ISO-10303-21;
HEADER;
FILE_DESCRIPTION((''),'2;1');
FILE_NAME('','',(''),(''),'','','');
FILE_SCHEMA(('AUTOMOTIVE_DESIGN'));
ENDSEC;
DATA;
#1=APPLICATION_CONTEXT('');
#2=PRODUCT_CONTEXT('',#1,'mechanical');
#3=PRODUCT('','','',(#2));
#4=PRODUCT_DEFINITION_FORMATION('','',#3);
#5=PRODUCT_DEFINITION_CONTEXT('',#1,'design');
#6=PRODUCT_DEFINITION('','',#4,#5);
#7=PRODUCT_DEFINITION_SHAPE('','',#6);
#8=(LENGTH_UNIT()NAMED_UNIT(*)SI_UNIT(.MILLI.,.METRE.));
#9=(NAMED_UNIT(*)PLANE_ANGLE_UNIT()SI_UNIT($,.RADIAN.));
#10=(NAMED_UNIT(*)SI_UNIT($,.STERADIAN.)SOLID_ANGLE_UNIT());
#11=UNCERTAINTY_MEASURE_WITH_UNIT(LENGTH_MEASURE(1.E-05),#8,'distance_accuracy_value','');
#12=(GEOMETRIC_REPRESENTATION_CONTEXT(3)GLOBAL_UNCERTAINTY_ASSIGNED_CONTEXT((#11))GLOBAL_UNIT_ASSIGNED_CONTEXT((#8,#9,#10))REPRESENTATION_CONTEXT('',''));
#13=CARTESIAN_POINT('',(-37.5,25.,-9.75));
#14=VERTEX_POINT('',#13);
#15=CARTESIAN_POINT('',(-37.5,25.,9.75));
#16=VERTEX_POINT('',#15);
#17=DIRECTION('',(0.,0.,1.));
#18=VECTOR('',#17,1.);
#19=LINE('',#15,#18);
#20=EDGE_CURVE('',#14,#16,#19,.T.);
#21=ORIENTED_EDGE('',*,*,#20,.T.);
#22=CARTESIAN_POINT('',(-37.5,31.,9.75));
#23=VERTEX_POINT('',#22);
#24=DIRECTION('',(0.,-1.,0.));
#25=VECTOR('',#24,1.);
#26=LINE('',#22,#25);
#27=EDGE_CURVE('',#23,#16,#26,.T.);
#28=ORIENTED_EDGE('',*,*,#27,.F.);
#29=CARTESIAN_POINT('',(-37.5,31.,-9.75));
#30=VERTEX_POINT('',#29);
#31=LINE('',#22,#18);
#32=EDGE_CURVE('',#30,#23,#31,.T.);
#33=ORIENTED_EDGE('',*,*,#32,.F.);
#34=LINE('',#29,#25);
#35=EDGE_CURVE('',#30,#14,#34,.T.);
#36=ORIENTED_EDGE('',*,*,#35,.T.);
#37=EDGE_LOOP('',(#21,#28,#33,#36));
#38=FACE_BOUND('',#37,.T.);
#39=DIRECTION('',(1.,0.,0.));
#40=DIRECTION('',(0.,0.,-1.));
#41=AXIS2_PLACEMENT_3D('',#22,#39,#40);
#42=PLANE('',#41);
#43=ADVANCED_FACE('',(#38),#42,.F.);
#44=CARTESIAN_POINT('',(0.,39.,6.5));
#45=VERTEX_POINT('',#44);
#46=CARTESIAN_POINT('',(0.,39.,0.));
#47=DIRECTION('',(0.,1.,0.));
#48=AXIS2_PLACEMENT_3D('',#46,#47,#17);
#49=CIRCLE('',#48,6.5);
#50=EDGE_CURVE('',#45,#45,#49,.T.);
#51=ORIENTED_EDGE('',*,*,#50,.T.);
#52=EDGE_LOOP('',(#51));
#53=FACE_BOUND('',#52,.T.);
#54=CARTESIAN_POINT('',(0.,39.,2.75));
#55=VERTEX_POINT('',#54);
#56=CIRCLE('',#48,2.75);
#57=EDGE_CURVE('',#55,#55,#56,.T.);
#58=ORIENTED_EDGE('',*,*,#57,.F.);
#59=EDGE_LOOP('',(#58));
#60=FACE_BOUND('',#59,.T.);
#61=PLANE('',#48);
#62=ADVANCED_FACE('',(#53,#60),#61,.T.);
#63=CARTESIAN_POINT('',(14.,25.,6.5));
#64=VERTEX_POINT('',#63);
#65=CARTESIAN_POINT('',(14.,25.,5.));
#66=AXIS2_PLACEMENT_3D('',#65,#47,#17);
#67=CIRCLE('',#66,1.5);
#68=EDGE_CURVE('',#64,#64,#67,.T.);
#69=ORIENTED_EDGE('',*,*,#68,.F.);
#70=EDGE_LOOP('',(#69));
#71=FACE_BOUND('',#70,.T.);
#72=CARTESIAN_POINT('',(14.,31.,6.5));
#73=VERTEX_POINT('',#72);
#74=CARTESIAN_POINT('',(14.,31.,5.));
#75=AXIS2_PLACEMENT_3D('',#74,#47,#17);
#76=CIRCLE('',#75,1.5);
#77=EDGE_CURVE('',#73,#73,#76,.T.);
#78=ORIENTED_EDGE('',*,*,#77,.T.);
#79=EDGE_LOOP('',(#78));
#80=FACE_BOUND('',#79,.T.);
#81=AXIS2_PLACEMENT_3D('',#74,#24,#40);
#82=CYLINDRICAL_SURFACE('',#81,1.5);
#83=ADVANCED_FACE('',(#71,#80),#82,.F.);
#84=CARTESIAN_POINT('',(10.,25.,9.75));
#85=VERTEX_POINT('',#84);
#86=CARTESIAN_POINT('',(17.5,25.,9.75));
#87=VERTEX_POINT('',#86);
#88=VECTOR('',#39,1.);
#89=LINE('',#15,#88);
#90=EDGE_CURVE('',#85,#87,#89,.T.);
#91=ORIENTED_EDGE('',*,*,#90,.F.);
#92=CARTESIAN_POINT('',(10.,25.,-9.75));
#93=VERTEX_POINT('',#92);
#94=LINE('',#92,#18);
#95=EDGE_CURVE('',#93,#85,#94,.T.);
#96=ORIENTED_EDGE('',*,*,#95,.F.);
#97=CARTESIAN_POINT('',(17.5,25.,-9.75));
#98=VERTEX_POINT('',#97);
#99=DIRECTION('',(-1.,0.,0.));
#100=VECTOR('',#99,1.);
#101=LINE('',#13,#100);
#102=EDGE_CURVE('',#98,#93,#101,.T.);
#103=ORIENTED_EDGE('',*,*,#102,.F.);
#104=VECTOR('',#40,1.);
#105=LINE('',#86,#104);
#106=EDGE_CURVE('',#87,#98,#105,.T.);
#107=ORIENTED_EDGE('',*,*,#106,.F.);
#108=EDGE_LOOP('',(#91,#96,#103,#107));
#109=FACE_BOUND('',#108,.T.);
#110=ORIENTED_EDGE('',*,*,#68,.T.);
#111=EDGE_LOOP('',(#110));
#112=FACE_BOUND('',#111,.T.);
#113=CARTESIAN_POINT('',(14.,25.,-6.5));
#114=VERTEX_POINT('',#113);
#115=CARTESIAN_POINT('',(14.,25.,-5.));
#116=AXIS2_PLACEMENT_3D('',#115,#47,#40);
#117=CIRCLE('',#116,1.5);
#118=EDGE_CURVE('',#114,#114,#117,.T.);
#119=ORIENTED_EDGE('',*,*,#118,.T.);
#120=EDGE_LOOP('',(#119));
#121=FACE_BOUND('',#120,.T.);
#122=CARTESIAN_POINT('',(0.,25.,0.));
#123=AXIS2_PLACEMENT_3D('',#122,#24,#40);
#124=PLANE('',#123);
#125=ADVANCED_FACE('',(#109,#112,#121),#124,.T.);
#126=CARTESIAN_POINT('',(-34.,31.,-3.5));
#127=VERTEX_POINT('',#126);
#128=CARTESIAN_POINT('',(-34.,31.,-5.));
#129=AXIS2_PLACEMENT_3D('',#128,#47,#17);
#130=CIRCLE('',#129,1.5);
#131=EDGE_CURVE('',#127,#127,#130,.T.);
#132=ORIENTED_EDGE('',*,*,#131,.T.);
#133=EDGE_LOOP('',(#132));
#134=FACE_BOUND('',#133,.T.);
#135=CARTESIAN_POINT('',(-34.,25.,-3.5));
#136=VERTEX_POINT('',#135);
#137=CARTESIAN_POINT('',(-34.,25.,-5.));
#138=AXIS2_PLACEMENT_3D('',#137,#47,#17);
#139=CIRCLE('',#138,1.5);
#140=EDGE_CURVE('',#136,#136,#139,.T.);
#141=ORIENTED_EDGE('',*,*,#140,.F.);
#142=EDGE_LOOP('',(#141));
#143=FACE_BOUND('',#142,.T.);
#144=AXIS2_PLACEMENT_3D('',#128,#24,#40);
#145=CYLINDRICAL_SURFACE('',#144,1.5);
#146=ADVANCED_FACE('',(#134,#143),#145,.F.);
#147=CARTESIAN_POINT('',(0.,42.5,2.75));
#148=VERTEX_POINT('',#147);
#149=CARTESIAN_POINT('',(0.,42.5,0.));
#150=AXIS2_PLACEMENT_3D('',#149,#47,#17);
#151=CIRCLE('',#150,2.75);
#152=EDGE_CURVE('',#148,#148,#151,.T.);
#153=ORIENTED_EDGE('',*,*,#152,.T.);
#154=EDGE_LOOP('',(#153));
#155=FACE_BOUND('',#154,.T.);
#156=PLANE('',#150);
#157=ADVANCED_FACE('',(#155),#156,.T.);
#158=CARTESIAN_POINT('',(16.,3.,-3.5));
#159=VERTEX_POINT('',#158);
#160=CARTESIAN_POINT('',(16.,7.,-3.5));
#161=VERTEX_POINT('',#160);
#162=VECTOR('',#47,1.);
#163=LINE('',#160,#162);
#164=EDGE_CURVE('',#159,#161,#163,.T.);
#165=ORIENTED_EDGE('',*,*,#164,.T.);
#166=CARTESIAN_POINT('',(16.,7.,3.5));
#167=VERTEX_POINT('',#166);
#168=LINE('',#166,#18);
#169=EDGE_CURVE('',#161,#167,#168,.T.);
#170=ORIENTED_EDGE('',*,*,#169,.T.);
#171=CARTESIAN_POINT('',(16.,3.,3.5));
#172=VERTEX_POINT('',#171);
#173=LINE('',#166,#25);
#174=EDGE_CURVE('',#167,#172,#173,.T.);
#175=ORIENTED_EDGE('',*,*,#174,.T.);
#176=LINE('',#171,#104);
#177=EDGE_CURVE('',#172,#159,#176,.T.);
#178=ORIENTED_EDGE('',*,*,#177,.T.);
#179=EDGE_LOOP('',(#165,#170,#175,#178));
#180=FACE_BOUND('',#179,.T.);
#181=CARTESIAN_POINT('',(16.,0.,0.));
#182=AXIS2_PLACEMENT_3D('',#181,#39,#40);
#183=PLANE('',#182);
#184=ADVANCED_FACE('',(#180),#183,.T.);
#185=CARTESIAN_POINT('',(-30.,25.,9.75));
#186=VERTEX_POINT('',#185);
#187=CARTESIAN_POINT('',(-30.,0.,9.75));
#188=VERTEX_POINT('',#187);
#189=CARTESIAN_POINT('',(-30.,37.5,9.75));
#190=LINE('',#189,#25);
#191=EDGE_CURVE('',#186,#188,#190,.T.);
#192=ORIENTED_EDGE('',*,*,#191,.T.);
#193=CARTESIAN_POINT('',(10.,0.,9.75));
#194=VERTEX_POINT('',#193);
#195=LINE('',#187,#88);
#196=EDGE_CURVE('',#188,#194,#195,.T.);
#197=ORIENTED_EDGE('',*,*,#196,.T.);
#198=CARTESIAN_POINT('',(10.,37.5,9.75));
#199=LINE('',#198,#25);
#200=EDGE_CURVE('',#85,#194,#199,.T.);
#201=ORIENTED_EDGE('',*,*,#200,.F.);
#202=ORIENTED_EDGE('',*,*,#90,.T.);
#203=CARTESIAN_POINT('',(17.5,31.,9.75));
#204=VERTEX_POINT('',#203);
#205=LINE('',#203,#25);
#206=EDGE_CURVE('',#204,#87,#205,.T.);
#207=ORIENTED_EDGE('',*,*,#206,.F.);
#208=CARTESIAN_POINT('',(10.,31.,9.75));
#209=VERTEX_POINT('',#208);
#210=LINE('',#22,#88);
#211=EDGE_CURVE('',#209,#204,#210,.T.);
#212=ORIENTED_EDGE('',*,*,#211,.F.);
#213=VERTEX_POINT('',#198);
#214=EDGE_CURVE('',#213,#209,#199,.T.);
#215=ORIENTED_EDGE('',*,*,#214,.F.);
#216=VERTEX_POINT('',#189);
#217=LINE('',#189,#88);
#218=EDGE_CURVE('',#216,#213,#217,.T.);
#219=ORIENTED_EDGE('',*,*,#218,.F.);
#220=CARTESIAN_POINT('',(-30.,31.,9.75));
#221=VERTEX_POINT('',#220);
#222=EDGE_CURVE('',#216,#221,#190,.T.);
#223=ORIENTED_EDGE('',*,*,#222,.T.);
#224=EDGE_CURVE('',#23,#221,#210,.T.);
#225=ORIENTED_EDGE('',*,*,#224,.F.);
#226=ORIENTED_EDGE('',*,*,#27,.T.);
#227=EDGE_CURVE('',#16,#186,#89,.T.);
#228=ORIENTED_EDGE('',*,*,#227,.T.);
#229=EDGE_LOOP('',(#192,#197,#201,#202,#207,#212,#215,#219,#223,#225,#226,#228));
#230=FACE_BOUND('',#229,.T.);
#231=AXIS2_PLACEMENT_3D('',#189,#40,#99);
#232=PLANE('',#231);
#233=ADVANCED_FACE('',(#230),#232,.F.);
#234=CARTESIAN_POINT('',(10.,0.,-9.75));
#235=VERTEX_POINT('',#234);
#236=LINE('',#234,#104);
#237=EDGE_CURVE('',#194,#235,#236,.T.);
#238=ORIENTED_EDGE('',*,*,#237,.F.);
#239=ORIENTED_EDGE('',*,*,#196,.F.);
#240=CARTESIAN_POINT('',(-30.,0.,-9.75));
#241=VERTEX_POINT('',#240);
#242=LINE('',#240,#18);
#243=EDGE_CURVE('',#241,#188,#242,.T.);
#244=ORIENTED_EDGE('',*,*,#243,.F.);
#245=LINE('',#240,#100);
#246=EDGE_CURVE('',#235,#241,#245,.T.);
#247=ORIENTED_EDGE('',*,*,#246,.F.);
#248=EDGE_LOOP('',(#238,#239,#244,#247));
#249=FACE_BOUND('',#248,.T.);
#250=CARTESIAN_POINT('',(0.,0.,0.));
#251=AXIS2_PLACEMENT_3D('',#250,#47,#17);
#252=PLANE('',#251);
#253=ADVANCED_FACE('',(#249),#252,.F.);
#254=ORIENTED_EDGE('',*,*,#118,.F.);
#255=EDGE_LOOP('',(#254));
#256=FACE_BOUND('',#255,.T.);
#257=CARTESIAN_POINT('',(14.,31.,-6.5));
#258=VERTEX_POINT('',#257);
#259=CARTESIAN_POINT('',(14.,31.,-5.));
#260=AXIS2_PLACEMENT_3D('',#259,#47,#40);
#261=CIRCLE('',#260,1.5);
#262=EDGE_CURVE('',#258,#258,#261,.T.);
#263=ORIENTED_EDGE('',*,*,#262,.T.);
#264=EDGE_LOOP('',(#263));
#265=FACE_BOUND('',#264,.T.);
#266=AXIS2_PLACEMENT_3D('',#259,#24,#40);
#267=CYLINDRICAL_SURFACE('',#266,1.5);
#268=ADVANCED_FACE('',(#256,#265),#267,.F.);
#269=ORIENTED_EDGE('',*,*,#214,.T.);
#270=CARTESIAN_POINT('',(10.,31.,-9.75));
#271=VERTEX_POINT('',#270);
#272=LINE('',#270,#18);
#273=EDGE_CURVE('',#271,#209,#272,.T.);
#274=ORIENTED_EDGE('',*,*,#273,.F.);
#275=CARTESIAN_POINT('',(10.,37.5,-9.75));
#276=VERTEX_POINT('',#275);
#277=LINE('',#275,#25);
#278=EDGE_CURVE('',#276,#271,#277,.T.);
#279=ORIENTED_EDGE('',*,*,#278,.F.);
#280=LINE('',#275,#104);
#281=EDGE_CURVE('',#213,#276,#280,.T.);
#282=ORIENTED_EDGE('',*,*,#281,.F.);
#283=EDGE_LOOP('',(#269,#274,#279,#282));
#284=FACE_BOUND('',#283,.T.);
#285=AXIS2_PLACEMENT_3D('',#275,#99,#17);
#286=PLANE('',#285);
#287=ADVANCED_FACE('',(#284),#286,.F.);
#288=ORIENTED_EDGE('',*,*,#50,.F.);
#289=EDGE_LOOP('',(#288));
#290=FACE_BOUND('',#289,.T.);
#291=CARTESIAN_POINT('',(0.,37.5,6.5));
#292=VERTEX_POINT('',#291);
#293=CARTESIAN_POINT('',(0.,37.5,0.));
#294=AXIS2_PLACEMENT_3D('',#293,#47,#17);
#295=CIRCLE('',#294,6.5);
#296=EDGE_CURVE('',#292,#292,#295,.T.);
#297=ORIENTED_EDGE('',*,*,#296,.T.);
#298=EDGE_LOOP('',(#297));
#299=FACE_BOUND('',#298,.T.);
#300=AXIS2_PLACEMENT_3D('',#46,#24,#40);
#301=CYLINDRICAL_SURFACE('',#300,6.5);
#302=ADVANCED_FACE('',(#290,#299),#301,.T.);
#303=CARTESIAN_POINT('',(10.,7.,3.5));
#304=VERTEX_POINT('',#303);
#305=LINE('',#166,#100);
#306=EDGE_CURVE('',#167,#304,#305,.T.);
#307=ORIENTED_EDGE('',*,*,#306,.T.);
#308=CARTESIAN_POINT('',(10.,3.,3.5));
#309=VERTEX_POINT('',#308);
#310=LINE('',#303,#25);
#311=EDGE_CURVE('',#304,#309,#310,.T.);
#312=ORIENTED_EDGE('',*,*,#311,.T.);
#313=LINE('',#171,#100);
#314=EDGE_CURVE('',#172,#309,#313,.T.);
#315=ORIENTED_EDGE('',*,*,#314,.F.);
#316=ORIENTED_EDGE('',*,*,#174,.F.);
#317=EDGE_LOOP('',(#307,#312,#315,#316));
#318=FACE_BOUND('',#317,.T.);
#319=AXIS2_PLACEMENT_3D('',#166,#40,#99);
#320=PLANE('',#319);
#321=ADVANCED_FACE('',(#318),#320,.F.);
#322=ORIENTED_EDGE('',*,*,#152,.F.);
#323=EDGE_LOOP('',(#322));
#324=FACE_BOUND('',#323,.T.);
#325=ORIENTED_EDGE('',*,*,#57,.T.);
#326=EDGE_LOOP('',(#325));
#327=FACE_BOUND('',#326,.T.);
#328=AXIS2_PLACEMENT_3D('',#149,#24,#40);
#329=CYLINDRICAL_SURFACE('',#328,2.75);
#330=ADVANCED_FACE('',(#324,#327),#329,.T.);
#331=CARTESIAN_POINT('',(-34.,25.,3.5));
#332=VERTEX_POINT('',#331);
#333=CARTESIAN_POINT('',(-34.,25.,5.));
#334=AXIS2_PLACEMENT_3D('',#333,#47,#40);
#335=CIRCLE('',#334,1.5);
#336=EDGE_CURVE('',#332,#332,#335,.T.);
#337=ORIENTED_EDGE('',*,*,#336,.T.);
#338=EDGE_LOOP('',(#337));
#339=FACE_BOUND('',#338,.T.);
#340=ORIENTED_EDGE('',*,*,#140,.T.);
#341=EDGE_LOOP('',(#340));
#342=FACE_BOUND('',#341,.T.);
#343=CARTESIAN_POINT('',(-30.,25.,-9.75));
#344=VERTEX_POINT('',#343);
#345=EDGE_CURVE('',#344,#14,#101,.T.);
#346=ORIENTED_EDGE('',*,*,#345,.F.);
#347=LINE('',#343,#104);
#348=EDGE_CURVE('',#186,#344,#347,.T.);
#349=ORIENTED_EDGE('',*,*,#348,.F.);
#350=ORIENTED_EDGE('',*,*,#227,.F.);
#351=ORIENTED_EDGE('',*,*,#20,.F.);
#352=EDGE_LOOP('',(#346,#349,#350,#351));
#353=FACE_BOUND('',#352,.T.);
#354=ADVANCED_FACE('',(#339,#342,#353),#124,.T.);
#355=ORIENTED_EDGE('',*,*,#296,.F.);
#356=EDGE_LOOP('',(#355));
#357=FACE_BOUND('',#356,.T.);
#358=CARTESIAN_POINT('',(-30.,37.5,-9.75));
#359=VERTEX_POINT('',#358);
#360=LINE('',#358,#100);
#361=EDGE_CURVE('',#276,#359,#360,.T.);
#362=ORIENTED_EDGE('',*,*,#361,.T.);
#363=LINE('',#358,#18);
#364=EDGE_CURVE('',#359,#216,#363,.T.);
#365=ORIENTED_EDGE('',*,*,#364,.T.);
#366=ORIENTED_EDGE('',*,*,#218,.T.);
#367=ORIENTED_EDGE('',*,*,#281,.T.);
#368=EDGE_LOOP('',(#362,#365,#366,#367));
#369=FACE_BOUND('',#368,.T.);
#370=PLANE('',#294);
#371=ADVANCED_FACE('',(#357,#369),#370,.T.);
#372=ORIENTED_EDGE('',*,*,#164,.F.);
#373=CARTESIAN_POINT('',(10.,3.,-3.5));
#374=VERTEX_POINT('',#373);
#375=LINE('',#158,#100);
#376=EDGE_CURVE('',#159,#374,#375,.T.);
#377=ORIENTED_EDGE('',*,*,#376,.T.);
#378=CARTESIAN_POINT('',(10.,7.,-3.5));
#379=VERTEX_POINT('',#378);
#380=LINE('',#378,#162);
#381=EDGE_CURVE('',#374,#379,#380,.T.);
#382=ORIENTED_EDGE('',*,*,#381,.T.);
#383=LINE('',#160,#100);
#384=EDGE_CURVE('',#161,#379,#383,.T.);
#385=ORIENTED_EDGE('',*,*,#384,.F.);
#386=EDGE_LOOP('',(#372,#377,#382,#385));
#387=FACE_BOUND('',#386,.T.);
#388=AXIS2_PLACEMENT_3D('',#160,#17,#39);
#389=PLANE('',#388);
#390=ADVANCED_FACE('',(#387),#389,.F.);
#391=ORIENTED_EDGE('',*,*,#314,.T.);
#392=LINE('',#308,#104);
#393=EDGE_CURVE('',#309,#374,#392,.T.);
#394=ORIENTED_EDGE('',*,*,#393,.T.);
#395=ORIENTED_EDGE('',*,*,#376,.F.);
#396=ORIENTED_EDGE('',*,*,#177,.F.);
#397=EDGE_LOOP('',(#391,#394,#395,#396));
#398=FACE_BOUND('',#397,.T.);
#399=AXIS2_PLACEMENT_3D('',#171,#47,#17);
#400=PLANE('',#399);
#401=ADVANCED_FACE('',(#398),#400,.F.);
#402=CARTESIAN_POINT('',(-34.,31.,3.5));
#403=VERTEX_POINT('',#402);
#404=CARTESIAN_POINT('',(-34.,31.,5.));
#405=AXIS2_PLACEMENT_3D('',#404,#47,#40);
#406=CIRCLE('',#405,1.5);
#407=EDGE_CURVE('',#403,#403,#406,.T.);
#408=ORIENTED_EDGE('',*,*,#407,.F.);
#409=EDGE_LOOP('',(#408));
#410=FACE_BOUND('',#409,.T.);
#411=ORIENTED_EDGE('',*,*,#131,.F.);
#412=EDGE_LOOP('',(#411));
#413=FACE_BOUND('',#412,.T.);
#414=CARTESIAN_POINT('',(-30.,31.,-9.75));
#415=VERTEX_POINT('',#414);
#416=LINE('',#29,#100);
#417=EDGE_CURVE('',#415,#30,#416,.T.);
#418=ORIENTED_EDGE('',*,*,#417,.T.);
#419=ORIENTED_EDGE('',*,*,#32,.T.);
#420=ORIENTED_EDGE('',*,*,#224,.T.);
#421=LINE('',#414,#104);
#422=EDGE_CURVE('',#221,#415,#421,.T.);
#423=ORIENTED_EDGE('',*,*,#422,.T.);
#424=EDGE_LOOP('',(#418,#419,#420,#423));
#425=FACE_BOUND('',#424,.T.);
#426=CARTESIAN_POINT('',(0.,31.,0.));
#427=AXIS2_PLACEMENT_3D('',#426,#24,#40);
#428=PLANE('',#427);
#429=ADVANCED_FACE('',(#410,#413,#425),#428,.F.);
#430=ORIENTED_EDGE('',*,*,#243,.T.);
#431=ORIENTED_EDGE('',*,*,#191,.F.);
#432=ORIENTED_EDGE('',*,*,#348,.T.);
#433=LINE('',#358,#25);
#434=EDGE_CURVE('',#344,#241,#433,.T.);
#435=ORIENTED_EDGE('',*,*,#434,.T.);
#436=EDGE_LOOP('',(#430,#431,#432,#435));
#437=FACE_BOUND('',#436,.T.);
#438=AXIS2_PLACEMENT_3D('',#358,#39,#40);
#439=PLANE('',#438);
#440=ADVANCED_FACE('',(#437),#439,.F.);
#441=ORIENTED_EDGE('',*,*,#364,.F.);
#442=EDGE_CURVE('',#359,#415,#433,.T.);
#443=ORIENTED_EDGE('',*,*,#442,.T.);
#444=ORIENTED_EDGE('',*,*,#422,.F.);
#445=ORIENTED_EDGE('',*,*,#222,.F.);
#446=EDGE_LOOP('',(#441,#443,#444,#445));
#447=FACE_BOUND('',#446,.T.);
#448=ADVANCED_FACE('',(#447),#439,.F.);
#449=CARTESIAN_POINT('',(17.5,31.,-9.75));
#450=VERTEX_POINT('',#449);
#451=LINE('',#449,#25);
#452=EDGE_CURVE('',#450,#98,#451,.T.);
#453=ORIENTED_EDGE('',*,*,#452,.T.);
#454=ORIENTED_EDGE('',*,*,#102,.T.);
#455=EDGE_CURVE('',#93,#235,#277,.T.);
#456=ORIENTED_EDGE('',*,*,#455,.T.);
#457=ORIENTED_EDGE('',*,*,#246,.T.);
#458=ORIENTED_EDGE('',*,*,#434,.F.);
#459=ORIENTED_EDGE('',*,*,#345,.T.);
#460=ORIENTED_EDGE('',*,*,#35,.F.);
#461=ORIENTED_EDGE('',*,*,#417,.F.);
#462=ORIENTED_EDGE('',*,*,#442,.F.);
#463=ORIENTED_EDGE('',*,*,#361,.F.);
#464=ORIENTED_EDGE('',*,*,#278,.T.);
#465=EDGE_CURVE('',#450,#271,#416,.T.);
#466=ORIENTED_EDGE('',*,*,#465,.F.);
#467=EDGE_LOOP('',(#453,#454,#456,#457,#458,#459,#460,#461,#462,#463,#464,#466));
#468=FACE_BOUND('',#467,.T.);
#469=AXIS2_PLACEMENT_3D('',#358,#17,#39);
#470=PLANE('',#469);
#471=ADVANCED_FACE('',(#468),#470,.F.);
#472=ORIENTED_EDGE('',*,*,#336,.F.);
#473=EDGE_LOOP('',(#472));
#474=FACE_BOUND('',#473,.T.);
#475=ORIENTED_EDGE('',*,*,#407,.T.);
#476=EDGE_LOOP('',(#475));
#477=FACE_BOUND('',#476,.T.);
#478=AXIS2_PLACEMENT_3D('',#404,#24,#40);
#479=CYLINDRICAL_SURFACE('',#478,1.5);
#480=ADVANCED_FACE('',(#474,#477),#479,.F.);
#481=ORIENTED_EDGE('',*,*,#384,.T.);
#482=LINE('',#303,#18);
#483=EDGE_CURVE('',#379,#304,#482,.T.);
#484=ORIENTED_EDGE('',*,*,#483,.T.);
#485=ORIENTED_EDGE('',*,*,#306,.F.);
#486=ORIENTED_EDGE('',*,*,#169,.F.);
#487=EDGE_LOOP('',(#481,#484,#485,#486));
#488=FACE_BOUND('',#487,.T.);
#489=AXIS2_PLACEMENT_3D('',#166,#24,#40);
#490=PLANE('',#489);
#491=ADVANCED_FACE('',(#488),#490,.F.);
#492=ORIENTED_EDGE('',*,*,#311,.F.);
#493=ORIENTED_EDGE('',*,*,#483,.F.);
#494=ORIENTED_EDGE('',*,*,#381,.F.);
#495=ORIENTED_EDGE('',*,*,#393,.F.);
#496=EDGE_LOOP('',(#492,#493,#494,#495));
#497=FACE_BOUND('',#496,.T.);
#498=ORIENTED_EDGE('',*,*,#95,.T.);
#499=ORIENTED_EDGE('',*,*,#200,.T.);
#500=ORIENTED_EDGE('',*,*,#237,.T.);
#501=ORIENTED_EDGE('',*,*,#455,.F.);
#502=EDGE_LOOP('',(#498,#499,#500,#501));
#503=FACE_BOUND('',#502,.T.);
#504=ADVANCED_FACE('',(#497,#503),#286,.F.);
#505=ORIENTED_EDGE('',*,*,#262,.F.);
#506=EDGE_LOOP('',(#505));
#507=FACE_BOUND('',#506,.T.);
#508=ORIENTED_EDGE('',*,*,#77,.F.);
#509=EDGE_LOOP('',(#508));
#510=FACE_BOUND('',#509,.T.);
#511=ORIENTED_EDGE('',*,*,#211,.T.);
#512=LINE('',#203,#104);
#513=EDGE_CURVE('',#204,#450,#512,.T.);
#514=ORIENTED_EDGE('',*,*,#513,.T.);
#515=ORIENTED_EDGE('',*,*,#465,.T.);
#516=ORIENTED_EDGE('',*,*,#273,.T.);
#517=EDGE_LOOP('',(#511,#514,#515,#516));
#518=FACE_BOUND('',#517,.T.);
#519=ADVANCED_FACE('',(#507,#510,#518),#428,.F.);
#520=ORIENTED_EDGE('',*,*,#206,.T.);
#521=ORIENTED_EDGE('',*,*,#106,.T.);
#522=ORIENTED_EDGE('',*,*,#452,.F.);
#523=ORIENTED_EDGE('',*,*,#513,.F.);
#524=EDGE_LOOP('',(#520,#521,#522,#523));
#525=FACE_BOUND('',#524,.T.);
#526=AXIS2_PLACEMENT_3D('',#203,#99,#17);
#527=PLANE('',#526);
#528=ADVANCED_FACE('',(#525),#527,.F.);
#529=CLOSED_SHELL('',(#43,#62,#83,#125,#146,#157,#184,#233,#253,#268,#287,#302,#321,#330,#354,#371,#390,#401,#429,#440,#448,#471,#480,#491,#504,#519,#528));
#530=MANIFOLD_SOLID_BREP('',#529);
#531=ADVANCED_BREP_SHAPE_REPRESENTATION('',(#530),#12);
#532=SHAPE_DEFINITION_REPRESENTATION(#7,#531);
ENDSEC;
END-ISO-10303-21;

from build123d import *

# Parameters (mm, degrees)
ESQUISSE1_W        = 40
ESQUISSE1_H        = 19.5
BOSS_EXTRU_1_DEPTH = 37.5
ESQUISSE2_R        = 6.5
BOSS_EXTRU_2_DEPTH = 1.5
ESQUISSE3_R        = 2.75
BOSS_EXTRU_3_DEPTH = 3.5
BOSS_EXTRU_4_START = 25
ESQUISSE4_W        = 55
ESQUISSE4_H        = 19.5
ESQUISSE4_R        = 1.5
BOSS_EXTRU_4_DEPTH = 6
ESQUISSE5_W        = 7
ESQUISSE5_H        = 4
BOSS_EXTRU_5_DEPTH = 6


with BuildPart() as part:
    # Esquisse1 → Boss.-Extru.1 (new body)
    with BuildSketch(Plane(origin=(0, 0, 0), x_dir=(1, 0, 0), z_dir=(0, 1, 0))):
        with Locations((-10, 0)):
            Rectangle(ESQUISSE1_W, ESQUISSE1_H)
    extrude(amount=BOSS_EXTRU_1_DEPTH)

    # Esquisse2 → Boss.-Extru.2 (add)
    with BuildSketch(Plane(origin=(0, 37.5, 0), x_dir=(1, 0, 0), z_dir=(0, 1, 0))):
        with Locations(Location((0, 0, 0), (0, 0, 270))):
            Circle(ESQUISSE2_R)
    extrude(amount=BOSS_EXTRU_2_DEPTH)

    # Esquisse3 → Boss.-Extru.3 (add)
    with BuildSketch(Plane(origin=(0, 39, 0), x_dir=(1, 0, 0), z_dir=(0, 1, 0))):
        with Locations(Location((0, 0, 0), (0, 0, 270))):
            Circle(ESQUISSE3_R)
    extrude(amount=BOSS_EXTRU_3_DEPTH)

    # Esquisse4 → Boss.-Extru.4 (add)
    with BuildSketch(Plane(origin=(0, 0, 0), x_dir=(1, 0, 0), z_dir=(0, 1, 0)).offset(BOSS_EXTRU_4_START)):
        with Locations((-10, 0)):
            Rectangle(ESQUISSE4_W, ESQUISSE4_H)
        with Locations(Location((-34, 5, 0), (0, 0, 270))):
            Circle(ESQUISSE4_R, mode=Mode.SUBTRACT)
        with Locations(Location((-34, -5, 0), (0, 0, 90))):
            Circle(ESQUISSE4_R, mode=Mode.SUBTRACT)
        with Locations(Location((14, -5, 0), (0, 0, 270))):
            Circle(ESQUISSE4_R, mode=Mode.SUBTRACT)
        with Locations(Location((14, 5, 0), (0, 0, 90))):
            Circle(ESQUISSE4_R, mode=Mode.SUBTRACT)
    extrude(amount=BOSS_EXTRU_4_DEPTH)

    # Esquisse5 → Boss.-Extru.5 (add)
    with BuildSketch(Plane(origin=(10, 0, 0), x_dir=(0, 0, -1), z_dir=(1, 0, 0))):
        with Locations((0, 5)):
            Rectangle(ESQUISSE5_W, ESQUISSE5_H)
    extrude(amount=BOSS_EXTRU_5_DEPTH)


solid = part.part
